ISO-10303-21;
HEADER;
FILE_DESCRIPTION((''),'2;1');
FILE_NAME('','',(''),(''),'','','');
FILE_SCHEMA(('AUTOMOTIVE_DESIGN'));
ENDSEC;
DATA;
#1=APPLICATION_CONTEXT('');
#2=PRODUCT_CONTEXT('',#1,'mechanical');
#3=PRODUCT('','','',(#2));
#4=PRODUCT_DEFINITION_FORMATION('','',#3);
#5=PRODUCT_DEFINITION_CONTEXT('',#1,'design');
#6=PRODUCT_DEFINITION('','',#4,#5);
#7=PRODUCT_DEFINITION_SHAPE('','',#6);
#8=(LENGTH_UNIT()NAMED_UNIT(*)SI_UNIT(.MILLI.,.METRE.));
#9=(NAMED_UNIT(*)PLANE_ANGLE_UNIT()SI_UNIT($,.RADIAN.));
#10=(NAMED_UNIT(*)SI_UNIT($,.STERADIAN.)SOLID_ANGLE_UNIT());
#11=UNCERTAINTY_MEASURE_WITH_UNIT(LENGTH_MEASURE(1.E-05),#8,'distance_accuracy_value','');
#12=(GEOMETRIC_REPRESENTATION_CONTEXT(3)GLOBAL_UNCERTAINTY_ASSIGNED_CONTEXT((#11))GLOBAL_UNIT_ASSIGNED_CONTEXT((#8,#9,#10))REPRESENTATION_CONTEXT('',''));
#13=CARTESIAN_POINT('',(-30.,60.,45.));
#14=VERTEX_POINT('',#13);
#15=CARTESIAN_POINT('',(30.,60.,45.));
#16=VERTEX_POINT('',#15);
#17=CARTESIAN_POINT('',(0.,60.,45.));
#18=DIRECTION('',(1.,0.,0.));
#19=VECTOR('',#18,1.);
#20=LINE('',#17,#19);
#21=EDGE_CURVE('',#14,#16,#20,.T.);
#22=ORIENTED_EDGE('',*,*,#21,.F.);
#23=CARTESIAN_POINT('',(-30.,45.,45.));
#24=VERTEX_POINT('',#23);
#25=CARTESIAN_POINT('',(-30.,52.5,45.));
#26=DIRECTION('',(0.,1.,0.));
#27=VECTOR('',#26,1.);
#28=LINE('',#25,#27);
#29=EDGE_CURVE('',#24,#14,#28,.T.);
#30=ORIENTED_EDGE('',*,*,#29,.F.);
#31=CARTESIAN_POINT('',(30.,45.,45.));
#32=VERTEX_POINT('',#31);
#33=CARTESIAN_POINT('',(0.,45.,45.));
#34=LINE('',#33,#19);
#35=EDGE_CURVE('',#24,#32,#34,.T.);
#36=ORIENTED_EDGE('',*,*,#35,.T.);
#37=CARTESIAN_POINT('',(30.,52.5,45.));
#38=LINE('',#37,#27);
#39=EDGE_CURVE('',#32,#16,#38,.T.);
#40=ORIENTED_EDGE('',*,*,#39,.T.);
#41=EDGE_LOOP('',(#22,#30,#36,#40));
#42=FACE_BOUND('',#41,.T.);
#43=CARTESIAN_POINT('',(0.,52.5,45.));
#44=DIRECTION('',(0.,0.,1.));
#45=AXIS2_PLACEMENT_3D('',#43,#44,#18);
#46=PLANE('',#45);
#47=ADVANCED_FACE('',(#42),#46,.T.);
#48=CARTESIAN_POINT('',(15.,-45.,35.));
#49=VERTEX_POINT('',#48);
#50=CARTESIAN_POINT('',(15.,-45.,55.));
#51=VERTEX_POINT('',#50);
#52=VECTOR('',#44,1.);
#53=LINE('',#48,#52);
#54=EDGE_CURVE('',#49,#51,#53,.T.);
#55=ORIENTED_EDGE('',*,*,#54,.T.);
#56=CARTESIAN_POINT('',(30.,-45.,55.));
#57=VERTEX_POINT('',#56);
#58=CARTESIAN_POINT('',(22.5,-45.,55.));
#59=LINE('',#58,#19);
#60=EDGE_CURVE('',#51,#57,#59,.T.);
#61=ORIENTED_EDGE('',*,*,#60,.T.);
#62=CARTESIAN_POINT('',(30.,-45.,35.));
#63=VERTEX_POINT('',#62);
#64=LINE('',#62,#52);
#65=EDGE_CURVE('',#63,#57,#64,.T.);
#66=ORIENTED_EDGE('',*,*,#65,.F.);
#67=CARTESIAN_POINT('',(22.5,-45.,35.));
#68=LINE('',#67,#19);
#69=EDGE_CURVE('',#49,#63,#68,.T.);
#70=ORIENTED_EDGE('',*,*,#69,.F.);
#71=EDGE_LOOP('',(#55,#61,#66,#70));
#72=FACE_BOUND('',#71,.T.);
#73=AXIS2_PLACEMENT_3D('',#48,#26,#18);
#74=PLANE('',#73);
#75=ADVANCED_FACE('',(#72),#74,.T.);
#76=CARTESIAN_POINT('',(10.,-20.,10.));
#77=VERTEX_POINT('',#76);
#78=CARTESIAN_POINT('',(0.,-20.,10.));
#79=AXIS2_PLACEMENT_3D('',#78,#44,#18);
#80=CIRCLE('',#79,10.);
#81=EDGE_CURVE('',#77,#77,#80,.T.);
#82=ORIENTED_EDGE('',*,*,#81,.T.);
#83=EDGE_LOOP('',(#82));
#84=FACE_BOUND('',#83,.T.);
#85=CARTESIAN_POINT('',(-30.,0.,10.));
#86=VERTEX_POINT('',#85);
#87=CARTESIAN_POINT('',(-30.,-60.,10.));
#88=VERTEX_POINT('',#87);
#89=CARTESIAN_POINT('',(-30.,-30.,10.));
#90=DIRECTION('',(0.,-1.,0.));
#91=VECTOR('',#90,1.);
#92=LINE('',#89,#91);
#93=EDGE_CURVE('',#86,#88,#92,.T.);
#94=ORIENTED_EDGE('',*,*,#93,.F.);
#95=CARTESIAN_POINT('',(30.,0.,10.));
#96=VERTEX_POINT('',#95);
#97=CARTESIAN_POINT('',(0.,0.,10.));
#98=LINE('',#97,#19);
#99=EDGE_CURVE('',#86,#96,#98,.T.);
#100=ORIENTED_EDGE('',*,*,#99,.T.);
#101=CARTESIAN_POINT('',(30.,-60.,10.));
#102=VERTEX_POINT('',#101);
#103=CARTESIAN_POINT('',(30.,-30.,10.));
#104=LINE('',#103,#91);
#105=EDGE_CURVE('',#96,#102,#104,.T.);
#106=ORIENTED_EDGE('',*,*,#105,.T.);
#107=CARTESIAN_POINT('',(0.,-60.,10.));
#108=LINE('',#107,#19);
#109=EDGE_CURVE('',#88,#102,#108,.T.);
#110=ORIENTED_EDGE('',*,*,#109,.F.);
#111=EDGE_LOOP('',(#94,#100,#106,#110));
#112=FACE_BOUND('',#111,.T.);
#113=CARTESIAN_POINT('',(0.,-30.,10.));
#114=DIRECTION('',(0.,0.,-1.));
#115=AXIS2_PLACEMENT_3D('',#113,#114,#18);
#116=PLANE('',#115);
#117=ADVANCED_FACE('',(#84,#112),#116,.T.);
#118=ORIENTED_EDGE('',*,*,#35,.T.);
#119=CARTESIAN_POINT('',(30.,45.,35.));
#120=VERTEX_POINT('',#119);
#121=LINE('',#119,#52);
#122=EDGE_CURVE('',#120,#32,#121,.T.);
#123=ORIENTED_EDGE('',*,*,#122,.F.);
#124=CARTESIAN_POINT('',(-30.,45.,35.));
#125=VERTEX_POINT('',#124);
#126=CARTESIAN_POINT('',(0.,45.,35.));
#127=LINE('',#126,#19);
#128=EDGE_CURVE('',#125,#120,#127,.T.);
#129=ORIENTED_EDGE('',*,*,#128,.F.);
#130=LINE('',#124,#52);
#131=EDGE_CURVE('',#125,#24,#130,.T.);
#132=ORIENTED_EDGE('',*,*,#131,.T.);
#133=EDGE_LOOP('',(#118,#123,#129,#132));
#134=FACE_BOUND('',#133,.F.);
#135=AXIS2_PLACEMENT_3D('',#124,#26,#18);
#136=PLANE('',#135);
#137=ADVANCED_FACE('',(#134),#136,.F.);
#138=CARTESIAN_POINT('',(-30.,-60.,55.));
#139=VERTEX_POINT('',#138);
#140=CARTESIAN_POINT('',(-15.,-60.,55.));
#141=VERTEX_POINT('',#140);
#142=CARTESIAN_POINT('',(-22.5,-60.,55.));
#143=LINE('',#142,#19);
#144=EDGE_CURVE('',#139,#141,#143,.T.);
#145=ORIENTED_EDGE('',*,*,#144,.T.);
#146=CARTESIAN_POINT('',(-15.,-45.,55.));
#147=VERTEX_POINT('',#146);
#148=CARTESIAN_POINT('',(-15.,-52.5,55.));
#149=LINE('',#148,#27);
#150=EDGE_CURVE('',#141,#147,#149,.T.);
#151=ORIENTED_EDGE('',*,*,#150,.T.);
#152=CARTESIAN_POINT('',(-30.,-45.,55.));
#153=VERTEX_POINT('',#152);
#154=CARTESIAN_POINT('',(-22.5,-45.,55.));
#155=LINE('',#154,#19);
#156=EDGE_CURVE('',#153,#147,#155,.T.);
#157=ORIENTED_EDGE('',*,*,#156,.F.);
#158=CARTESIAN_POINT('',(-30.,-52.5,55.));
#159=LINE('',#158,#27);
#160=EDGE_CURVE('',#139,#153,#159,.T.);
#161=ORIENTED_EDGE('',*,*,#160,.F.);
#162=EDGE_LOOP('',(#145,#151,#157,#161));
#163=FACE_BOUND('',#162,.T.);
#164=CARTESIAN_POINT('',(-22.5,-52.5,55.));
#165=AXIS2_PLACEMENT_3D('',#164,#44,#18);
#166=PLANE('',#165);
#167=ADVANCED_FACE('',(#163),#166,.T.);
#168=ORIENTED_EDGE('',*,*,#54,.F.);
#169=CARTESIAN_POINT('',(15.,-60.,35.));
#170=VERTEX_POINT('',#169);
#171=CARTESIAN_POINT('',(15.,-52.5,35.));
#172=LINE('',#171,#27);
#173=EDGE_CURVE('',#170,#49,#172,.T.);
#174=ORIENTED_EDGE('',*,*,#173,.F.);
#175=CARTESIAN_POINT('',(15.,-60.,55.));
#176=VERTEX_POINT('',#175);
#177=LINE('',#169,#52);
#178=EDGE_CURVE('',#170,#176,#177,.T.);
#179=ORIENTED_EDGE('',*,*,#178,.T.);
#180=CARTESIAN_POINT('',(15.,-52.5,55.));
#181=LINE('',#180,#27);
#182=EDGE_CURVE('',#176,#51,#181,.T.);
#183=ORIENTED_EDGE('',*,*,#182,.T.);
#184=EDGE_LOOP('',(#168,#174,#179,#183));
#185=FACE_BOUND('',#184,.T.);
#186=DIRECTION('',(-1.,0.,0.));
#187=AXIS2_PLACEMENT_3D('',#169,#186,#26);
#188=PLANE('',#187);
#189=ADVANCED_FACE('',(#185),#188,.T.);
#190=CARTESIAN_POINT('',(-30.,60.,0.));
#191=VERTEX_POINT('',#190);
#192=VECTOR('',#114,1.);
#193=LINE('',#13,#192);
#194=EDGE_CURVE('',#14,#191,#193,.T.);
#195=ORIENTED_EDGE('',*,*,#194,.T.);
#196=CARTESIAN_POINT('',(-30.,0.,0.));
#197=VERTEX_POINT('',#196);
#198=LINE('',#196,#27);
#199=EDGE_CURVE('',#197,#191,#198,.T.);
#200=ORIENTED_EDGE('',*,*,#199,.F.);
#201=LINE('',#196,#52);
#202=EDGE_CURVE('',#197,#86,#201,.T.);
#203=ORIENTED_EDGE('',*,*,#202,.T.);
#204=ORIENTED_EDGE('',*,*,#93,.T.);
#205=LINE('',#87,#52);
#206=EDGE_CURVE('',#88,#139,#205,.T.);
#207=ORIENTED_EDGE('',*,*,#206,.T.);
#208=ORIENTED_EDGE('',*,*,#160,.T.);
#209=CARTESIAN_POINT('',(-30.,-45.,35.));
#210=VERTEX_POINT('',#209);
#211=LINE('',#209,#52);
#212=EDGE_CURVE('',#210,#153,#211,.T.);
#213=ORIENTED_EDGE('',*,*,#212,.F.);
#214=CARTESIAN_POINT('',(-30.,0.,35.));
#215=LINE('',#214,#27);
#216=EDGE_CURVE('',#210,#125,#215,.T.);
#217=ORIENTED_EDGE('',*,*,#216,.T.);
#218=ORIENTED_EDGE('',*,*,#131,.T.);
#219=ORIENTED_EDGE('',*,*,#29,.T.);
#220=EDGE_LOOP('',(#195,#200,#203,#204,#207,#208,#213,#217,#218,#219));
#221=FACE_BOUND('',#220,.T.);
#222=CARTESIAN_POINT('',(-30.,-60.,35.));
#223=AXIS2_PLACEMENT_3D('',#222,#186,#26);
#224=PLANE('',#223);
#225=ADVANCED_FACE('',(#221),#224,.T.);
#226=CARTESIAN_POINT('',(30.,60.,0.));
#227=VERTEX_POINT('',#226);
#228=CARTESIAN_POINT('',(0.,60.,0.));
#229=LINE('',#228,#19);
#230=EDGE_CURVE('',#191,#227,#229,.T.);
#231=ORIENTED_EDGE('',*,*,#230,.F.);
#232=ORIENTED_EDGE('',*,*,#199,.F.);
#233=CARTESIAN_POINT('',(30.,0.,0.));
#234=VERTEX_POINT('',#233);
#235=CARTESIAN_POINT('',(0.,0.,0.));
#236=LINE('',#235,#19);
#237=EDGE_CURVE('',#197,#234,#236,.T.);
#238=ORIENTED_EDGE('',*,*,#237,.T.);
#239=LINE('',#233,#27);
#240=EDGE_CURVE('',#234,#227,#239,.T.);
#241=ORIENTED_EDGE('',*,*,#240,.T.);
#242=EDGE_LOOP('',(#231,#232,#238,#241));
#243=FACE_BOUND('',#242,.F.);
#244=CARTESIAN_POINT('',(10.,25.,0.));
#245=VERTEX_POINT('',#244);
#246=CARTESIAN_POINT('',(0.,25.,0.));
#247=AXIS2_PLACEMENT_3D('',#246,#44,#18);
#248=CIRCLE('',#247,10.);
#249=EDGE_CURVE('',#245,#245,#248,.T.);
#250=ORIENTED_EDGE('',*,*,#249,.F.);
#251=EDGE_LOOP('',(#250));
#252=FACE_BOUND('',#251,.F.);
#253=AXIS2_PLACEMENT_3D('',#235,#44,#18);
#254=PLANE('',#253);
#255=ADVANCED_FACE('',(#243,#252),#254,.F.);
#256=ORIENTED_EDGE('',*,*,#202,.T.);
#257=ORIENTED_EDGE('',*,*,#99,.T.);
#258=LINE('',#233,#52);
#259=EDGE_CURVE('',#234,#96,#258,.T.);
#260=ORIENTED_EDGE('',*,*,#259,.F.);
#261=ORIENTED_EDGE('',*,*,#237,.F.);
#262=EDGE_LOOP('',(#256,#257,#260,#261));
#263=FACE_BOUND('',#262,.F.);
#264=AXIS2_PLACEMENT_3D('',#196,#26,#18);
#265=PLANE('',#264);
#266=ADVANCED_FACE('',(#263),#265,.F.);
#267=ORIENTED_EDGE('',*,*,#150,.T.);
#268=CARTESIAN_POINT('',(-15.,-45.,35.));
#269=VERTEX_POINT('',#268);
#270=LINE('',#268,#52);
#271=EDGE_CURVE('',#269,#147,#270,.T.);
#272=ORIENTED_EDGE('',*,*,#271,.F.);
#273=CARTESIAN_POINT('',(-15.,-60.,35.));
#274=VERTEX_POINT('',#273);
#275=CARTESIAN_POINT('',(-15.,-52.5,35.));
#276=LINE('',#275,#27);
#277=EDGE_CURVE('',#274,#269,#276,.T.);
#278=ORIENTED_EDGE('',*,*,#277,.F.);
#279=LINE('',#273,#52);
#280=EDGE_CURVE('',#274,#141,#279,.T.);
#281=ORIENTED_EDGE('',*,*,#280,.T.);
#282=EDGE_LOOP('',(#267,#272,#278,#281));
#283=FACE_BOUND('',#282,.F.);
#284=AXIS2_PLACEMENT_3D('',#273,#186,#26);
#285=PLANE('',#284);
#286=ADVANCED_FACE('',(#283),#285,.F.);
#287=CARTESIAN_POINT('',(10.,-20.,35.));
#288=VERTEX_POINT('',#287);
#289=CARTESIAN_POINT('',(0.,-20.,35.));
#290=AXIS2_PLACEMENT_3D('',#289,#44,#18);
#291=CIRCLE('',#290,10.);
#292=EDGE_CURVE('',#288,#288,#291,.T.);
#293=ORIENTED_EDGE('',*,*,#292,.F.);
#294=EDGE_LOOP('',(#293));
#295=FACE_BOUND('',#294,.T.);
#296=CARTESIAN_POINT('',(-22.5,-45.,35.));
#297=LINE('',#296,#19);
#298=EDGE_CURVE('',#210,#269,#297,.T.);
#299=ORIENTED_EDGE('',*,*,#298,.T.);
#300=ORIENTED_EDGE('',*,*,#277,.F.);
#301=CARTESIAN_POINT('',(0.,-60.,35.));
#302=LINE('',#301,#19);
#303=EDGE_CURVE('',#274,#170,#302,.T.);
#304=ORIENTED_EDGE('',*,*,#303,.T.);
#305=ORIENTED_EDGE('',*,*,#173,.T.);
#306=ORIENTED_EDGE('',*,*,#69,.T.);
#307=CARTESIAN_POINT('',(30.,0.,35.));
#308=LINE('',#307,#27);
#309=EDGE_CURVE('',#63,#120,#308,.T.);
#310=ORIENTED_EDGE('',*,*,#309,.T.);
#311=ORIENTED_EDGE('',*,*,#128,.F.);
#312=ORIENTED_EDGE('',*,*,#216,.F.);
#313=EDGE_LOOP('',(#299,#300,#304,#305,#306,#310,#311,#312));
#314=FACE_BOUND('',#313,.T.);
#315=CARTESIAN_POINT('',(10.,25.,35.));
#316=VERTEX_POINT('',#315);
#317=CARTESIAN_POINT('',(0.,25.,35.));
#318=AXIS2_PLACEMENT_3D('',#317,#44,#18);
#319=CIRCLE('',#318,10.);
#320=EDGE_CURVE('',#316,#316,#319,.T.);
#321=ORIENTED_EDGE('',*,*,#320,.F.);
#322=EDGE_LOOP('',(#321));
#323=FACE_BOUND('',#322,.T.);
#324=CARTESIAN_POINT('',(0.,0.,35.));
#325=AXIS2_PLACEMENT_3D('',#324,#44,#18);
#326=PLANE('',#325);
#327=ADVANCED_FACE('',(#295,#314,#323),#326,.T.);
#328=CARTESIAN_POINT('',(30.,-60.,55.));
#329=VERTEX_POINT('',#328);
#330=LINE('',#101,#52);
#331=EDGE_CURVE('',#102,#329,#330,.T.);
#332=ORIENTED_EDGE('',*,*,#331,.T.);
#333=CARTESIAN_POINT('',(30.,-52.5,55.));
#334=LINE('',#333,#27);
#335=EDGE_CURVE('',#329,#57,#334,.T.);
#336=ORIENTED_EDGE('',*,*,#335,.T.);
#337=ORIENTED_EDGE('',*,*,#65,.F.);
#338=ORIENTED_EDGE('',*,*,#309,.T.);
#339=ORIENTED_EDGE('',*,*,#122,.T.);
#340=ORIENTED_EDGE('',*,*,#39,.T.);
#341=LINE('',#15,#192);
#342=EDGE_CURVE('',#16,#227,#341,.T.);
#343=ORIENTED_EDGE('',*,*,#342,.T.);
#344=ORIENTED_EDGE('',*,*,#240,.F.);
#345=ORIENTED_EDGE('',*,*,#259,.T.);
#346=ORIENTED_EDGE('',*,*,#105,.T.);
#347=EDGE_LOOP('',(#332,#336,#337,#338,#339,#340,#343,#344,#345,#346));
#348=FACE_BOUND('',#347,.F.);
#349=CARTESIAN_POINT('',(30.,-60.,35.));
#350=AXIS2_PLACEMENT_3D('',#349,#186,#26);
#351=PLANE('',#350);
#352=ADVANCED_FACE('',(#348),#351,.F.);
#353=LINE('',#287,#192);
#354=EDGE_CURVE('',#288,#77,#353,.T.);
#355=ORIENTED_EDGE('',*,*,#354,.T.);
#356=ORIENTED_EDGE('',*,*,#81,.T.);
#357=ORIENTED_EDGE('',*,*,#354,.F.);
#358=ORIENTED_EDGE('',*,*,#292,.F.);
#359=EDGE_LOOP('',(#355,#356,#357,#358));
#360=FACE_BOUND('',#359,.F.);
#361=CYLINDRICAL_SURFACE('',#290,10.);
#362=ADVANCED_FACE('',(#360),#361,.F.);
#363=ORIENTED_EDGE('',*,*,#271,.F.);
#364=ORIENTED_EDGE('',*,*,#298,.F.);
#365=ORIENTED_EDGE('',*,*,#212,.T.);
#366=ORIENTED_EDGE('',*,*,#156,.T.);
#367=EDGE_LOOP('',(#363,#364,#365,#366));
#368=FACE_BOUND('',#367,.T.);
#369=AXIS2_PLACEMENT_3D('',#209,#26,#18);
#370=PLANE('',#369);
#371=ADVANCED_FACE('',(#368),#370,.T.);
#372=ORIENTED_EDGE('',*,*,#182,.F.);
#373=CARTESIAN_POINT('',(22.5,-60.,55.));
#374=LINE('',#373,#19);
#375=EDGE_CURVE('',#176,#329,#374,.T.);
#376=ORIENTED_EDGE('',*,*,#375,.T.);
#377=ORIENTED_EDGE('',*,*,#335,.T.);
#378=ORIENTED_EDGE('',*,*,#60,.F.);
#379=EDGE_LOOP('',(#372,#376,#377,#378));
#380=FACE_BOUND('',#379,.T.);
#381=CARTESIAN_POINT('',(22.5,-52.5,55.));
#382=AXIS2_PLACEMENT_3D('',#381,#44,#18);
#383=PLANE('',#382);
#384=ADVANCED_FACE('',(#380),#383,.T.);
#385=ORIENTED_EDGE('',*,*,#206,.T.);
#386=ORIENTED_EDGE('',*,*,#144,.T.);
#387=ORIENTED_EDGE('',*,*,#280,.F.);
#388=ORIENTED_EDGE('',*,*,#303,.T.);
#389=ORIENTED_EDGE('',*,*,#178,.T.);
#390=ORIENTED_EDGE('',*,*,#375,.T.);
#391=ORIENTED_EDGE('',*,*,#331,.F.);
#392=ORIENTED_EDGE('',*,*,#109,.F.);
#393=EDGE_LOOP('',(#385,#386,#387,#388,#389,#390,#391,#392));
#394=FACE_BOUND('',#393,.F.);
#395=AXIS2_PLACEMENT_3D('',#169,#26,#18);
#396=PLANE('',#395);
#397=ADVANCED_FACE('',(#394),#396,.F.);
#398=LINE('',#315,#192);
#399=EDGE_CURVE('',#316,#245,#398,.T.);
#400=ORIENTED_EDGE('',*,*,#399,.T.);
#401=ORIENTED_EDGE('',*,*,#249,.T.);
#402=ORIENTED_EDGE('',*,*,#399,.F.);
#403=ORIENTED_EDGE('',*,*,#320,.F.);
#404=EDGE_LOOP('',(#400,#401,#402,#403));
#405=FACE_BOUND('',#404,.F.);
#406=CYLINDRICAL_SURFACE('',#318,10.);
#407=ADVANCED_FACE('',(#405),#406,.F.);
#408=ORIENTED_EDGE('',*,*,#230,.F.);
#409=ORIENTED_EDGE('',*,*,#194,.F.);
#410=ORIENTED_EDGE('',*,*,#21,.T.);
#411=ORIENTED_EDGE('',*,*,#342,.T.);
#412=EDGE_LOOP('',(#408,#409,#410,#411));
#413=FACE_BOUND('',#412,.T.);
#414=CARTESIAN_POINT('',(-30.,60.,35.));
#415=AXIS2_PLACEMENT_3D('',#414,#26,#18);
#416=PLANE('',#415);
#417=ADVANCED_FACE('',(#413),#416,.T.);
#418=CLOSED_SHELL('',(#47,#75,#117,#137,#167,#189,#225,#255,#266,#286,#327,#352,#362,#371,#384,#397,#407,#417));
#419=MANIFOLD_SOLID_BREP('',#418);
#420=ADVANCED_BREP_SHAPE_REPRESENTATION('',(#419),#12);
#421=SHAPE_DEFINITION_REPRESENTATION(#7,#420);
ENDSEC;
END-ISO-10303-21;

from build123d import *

# Parameters (mm, degrees)
F0_W      = 60
F0_H      = 120
F1_DEPTH  = 35
F2_W      = 60
F2_H      = 15
F3_DEPTH  = 10
F4_W      = 60
F4_H      = 60
F5_DEPTH  = 10
F6_W      = 15
F6_H      = 15
F7_DEPTH  = 20
F8_W      = 15
F8_H      = 15
F9_DEPTH  = 20
F10_R     = 10
F11_DEPTH = 72.9
F12_R     = 10
F13_DEPTH = 66.7


with BuildPart() as f1:
    # F0 (on Top) → F1 (new body)
    with BuildSketch(Plane.XY):
        Rectangle(F0_W, F0_H)
    extrude(amount=F1_DEPTH)

    # F2 (on face) → F3 (join)
    with BuildSketch(Plane.XY.offset(35)):
        with Locations((0, 52.5)):
            Rectangle(F2_W, F2_H)
    extrude(amount=F3_DEPTH)

    # F4 (on face) → F5 (cut)
    with BuildSketch(Plane(origin=(0, 0, 0), x_dir=(1, 0, 0), z_dir=(0, 0, -1))):
        with Locations((0, 30)):
            Rectangle(F4_W, F4_H)
    extrude(amount=-F5_DEPTH, mode=Mode.SUBTRACT)

    # F6 (on face) → F7 (join)
    with BuildSketch(Plane.XY.offset(35)):
        with Locations((-22.5, -52.5)):
            Rectangle(F6_W, F6_H)
    extrude(amount=F7_DEPTH)

    # F8 (on face) → F9 (join)
    with BuildSketch(Plane.XY.offset(35)):
        with Locations((22.5, -52.5)):
            Rectangle(F8_W, F8_H)
    extrude(amount=F9_DEPTH)

    # F10 (on face) → F11 (cut)
    with BuildSketch(Plane.XY.offset(35)):
        with Locations((0, 25)):
            Circle(F10_R)
    extrude(amount=-F11_DEPTH, mode=Mode.SUBTRACT)

    # F12 (on face) → F13 (cut)
    with BuildSketch(Plane.XY.offset(35)):
        with Locations((0, -20)):
            Circle(F12_R)
    extrude(amount=-F13_DEPTH, mode=Mode.SUBTRACT)


solid = f1.part
